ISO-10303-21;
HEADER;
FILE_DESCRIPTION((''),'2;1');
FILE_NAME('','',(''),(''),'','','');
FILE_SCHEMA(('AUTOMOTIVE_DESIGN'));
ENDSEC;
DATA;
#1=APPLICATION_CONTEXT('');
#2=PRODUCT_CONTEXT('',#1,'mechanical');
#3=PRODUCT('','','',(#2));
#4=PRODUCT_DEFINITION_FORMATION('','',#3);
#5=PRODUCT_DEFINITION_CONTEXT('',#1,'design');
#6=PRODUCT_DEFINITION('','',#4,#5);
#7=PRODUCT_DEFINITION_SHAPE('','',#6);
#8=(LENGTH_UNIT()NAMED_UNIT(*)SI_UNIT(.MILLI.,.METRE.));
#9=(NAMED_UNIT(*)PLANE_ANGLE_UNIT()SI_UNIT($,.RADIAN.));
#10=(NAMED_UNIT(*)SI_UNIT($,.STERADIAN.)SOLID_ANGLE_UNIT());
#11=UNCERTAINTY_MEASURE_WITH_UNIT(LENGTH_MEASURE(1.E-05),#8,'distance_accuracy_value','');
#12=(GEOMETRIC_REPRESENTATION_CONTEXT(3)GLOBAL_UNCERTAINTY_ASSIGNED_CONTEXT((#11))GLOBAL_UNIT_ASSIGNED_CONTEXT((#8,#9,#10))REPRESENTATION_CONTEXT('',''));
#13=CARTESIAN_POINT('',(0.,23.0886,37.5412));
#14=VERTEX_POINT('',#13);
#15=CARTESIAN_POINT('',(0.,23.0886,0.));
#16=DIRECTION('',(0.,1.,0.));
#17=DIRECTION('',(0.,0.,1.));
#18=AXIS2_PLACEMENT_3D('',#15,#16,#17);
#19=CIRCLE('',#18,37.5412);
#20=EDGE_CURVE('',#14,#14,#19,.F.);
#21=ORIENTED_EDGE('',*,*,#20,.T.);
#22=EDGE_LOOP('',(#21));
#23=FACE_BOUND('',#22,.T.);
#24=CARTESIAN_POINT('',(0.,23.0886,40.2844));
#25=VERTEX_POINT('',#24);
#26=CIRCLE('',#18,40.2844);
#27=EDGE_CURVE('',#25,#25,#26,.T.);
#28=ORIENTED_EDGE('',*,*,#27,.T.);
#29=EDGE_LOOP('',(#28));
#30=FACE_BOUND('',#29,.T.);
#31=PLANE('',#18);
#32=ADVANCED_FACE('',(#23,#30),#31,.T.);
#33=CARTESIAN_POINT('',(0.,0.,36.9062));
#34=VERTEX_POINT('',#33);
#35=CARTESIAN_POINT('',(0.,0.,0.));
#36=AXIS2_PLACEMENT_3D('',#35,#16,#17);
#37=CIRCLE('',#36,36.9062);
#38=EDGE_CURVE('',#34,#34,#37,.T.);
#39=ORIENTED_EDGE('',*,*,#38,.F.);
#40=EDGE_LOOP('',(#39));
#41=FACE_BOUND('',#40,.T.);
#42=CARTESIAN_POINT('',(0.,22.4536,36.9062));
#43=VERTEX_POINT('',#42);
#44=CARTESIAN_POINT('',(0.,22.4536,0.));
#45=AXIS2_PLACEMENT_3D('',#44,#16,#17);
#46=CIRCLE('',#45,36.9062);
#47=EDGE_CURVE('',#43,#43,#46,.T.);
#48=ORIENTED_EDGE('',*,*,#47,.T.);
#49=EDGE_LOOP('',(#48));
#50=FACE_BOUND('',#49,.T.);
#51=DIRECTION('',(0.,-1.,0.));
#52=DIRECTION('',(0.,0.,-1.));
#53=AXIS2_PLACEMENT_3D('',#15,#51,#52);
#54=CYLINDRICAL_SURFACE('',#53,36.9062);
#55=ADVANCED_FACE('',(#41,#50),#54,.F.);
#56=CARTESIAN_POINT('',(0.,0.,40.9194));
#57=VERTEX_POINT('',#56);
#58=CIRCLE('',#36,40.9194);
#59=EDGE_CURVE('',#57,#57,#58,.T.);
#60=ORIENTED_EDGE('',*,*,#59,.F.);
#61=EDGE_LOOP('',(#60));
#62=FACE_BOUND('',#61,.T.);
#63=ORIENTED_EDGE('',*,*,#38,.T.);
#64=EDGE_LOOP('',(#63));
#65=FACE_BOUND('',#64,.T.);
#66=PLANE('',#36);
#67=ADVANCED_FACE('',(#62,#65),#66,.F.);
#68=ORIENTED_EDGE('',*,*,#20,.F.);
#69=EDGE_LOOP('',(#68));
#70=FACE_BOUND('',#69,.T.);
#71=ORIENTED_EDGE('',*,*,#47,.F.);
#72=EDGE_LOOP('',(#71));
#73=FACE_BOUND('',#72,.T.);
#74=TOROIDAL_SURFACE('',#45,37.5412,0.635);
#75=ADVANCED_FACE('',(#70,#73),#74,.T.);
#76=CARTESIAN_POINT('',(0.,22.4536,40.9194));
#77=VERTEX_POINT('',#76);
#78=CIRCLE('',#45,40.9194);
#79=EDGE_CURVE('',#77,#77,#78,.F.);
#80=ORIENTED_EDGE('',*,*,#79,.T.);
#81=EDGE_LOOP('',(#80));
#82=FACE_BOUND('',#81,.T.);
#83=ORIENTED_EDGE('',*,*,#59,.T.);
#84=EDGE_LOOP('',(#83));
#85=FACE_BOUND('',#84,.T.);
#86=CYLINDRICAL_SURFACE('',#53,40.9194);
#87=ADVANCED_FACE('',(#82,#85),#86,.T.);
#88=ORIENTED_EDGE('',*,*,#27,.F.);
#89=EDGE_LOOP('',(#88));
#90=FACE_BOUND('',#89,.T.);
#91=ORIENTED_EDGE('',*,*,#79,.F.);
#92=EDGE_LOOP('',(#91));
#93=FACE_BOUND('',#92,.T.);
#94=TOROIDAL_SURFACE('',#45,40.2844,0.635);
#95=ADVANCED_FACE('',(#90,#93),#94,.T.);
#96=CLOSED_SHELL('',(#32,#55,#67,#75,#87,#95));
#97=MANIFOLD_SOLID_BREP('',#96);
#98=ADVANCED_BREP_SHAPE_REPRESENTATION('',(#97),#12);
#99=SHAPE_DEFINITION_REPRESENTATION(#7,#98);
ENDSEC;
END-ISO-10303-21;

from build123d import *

# Parameters (mm, degrees)
SKETCH1_R           = 40.9194
SKETCH1_R_2         = 36.9062
BOSS_EXTRUDE1_DEPTH = 23.0886
FILLET1_R           = 0.635


with BuildPart() as part:
    # Sketch1 → Boss-Extrude1 (new body)
    with BuildSketch(Plane(origin=(0, 0, 0), x_dir=(1, 0, 0), z_dir=(0, 1, 0))):
        with Locations(Location((0, 0, 0), (0, 0, 270))):
            Circle(SKETCH1_R)
        with Locations(Location((0, 0, 0), (0, 0, 270))):
            Circle(SKETCH1_R_2, mode=Mode.SUBTRACT)
    extrude(amount=BOSS_EXTRUDE1_DEPTH)

    # Fillet1
    fillet1_edges = [part.edges().sort_by_distance(p)[0] for p in [
        (0, 23.0886, -40.9194),
        (0, 23.0886, -36.9062),
    ]]
    fillet(fillet1_edges, radius=FILLET1_R)


solid = part.part
